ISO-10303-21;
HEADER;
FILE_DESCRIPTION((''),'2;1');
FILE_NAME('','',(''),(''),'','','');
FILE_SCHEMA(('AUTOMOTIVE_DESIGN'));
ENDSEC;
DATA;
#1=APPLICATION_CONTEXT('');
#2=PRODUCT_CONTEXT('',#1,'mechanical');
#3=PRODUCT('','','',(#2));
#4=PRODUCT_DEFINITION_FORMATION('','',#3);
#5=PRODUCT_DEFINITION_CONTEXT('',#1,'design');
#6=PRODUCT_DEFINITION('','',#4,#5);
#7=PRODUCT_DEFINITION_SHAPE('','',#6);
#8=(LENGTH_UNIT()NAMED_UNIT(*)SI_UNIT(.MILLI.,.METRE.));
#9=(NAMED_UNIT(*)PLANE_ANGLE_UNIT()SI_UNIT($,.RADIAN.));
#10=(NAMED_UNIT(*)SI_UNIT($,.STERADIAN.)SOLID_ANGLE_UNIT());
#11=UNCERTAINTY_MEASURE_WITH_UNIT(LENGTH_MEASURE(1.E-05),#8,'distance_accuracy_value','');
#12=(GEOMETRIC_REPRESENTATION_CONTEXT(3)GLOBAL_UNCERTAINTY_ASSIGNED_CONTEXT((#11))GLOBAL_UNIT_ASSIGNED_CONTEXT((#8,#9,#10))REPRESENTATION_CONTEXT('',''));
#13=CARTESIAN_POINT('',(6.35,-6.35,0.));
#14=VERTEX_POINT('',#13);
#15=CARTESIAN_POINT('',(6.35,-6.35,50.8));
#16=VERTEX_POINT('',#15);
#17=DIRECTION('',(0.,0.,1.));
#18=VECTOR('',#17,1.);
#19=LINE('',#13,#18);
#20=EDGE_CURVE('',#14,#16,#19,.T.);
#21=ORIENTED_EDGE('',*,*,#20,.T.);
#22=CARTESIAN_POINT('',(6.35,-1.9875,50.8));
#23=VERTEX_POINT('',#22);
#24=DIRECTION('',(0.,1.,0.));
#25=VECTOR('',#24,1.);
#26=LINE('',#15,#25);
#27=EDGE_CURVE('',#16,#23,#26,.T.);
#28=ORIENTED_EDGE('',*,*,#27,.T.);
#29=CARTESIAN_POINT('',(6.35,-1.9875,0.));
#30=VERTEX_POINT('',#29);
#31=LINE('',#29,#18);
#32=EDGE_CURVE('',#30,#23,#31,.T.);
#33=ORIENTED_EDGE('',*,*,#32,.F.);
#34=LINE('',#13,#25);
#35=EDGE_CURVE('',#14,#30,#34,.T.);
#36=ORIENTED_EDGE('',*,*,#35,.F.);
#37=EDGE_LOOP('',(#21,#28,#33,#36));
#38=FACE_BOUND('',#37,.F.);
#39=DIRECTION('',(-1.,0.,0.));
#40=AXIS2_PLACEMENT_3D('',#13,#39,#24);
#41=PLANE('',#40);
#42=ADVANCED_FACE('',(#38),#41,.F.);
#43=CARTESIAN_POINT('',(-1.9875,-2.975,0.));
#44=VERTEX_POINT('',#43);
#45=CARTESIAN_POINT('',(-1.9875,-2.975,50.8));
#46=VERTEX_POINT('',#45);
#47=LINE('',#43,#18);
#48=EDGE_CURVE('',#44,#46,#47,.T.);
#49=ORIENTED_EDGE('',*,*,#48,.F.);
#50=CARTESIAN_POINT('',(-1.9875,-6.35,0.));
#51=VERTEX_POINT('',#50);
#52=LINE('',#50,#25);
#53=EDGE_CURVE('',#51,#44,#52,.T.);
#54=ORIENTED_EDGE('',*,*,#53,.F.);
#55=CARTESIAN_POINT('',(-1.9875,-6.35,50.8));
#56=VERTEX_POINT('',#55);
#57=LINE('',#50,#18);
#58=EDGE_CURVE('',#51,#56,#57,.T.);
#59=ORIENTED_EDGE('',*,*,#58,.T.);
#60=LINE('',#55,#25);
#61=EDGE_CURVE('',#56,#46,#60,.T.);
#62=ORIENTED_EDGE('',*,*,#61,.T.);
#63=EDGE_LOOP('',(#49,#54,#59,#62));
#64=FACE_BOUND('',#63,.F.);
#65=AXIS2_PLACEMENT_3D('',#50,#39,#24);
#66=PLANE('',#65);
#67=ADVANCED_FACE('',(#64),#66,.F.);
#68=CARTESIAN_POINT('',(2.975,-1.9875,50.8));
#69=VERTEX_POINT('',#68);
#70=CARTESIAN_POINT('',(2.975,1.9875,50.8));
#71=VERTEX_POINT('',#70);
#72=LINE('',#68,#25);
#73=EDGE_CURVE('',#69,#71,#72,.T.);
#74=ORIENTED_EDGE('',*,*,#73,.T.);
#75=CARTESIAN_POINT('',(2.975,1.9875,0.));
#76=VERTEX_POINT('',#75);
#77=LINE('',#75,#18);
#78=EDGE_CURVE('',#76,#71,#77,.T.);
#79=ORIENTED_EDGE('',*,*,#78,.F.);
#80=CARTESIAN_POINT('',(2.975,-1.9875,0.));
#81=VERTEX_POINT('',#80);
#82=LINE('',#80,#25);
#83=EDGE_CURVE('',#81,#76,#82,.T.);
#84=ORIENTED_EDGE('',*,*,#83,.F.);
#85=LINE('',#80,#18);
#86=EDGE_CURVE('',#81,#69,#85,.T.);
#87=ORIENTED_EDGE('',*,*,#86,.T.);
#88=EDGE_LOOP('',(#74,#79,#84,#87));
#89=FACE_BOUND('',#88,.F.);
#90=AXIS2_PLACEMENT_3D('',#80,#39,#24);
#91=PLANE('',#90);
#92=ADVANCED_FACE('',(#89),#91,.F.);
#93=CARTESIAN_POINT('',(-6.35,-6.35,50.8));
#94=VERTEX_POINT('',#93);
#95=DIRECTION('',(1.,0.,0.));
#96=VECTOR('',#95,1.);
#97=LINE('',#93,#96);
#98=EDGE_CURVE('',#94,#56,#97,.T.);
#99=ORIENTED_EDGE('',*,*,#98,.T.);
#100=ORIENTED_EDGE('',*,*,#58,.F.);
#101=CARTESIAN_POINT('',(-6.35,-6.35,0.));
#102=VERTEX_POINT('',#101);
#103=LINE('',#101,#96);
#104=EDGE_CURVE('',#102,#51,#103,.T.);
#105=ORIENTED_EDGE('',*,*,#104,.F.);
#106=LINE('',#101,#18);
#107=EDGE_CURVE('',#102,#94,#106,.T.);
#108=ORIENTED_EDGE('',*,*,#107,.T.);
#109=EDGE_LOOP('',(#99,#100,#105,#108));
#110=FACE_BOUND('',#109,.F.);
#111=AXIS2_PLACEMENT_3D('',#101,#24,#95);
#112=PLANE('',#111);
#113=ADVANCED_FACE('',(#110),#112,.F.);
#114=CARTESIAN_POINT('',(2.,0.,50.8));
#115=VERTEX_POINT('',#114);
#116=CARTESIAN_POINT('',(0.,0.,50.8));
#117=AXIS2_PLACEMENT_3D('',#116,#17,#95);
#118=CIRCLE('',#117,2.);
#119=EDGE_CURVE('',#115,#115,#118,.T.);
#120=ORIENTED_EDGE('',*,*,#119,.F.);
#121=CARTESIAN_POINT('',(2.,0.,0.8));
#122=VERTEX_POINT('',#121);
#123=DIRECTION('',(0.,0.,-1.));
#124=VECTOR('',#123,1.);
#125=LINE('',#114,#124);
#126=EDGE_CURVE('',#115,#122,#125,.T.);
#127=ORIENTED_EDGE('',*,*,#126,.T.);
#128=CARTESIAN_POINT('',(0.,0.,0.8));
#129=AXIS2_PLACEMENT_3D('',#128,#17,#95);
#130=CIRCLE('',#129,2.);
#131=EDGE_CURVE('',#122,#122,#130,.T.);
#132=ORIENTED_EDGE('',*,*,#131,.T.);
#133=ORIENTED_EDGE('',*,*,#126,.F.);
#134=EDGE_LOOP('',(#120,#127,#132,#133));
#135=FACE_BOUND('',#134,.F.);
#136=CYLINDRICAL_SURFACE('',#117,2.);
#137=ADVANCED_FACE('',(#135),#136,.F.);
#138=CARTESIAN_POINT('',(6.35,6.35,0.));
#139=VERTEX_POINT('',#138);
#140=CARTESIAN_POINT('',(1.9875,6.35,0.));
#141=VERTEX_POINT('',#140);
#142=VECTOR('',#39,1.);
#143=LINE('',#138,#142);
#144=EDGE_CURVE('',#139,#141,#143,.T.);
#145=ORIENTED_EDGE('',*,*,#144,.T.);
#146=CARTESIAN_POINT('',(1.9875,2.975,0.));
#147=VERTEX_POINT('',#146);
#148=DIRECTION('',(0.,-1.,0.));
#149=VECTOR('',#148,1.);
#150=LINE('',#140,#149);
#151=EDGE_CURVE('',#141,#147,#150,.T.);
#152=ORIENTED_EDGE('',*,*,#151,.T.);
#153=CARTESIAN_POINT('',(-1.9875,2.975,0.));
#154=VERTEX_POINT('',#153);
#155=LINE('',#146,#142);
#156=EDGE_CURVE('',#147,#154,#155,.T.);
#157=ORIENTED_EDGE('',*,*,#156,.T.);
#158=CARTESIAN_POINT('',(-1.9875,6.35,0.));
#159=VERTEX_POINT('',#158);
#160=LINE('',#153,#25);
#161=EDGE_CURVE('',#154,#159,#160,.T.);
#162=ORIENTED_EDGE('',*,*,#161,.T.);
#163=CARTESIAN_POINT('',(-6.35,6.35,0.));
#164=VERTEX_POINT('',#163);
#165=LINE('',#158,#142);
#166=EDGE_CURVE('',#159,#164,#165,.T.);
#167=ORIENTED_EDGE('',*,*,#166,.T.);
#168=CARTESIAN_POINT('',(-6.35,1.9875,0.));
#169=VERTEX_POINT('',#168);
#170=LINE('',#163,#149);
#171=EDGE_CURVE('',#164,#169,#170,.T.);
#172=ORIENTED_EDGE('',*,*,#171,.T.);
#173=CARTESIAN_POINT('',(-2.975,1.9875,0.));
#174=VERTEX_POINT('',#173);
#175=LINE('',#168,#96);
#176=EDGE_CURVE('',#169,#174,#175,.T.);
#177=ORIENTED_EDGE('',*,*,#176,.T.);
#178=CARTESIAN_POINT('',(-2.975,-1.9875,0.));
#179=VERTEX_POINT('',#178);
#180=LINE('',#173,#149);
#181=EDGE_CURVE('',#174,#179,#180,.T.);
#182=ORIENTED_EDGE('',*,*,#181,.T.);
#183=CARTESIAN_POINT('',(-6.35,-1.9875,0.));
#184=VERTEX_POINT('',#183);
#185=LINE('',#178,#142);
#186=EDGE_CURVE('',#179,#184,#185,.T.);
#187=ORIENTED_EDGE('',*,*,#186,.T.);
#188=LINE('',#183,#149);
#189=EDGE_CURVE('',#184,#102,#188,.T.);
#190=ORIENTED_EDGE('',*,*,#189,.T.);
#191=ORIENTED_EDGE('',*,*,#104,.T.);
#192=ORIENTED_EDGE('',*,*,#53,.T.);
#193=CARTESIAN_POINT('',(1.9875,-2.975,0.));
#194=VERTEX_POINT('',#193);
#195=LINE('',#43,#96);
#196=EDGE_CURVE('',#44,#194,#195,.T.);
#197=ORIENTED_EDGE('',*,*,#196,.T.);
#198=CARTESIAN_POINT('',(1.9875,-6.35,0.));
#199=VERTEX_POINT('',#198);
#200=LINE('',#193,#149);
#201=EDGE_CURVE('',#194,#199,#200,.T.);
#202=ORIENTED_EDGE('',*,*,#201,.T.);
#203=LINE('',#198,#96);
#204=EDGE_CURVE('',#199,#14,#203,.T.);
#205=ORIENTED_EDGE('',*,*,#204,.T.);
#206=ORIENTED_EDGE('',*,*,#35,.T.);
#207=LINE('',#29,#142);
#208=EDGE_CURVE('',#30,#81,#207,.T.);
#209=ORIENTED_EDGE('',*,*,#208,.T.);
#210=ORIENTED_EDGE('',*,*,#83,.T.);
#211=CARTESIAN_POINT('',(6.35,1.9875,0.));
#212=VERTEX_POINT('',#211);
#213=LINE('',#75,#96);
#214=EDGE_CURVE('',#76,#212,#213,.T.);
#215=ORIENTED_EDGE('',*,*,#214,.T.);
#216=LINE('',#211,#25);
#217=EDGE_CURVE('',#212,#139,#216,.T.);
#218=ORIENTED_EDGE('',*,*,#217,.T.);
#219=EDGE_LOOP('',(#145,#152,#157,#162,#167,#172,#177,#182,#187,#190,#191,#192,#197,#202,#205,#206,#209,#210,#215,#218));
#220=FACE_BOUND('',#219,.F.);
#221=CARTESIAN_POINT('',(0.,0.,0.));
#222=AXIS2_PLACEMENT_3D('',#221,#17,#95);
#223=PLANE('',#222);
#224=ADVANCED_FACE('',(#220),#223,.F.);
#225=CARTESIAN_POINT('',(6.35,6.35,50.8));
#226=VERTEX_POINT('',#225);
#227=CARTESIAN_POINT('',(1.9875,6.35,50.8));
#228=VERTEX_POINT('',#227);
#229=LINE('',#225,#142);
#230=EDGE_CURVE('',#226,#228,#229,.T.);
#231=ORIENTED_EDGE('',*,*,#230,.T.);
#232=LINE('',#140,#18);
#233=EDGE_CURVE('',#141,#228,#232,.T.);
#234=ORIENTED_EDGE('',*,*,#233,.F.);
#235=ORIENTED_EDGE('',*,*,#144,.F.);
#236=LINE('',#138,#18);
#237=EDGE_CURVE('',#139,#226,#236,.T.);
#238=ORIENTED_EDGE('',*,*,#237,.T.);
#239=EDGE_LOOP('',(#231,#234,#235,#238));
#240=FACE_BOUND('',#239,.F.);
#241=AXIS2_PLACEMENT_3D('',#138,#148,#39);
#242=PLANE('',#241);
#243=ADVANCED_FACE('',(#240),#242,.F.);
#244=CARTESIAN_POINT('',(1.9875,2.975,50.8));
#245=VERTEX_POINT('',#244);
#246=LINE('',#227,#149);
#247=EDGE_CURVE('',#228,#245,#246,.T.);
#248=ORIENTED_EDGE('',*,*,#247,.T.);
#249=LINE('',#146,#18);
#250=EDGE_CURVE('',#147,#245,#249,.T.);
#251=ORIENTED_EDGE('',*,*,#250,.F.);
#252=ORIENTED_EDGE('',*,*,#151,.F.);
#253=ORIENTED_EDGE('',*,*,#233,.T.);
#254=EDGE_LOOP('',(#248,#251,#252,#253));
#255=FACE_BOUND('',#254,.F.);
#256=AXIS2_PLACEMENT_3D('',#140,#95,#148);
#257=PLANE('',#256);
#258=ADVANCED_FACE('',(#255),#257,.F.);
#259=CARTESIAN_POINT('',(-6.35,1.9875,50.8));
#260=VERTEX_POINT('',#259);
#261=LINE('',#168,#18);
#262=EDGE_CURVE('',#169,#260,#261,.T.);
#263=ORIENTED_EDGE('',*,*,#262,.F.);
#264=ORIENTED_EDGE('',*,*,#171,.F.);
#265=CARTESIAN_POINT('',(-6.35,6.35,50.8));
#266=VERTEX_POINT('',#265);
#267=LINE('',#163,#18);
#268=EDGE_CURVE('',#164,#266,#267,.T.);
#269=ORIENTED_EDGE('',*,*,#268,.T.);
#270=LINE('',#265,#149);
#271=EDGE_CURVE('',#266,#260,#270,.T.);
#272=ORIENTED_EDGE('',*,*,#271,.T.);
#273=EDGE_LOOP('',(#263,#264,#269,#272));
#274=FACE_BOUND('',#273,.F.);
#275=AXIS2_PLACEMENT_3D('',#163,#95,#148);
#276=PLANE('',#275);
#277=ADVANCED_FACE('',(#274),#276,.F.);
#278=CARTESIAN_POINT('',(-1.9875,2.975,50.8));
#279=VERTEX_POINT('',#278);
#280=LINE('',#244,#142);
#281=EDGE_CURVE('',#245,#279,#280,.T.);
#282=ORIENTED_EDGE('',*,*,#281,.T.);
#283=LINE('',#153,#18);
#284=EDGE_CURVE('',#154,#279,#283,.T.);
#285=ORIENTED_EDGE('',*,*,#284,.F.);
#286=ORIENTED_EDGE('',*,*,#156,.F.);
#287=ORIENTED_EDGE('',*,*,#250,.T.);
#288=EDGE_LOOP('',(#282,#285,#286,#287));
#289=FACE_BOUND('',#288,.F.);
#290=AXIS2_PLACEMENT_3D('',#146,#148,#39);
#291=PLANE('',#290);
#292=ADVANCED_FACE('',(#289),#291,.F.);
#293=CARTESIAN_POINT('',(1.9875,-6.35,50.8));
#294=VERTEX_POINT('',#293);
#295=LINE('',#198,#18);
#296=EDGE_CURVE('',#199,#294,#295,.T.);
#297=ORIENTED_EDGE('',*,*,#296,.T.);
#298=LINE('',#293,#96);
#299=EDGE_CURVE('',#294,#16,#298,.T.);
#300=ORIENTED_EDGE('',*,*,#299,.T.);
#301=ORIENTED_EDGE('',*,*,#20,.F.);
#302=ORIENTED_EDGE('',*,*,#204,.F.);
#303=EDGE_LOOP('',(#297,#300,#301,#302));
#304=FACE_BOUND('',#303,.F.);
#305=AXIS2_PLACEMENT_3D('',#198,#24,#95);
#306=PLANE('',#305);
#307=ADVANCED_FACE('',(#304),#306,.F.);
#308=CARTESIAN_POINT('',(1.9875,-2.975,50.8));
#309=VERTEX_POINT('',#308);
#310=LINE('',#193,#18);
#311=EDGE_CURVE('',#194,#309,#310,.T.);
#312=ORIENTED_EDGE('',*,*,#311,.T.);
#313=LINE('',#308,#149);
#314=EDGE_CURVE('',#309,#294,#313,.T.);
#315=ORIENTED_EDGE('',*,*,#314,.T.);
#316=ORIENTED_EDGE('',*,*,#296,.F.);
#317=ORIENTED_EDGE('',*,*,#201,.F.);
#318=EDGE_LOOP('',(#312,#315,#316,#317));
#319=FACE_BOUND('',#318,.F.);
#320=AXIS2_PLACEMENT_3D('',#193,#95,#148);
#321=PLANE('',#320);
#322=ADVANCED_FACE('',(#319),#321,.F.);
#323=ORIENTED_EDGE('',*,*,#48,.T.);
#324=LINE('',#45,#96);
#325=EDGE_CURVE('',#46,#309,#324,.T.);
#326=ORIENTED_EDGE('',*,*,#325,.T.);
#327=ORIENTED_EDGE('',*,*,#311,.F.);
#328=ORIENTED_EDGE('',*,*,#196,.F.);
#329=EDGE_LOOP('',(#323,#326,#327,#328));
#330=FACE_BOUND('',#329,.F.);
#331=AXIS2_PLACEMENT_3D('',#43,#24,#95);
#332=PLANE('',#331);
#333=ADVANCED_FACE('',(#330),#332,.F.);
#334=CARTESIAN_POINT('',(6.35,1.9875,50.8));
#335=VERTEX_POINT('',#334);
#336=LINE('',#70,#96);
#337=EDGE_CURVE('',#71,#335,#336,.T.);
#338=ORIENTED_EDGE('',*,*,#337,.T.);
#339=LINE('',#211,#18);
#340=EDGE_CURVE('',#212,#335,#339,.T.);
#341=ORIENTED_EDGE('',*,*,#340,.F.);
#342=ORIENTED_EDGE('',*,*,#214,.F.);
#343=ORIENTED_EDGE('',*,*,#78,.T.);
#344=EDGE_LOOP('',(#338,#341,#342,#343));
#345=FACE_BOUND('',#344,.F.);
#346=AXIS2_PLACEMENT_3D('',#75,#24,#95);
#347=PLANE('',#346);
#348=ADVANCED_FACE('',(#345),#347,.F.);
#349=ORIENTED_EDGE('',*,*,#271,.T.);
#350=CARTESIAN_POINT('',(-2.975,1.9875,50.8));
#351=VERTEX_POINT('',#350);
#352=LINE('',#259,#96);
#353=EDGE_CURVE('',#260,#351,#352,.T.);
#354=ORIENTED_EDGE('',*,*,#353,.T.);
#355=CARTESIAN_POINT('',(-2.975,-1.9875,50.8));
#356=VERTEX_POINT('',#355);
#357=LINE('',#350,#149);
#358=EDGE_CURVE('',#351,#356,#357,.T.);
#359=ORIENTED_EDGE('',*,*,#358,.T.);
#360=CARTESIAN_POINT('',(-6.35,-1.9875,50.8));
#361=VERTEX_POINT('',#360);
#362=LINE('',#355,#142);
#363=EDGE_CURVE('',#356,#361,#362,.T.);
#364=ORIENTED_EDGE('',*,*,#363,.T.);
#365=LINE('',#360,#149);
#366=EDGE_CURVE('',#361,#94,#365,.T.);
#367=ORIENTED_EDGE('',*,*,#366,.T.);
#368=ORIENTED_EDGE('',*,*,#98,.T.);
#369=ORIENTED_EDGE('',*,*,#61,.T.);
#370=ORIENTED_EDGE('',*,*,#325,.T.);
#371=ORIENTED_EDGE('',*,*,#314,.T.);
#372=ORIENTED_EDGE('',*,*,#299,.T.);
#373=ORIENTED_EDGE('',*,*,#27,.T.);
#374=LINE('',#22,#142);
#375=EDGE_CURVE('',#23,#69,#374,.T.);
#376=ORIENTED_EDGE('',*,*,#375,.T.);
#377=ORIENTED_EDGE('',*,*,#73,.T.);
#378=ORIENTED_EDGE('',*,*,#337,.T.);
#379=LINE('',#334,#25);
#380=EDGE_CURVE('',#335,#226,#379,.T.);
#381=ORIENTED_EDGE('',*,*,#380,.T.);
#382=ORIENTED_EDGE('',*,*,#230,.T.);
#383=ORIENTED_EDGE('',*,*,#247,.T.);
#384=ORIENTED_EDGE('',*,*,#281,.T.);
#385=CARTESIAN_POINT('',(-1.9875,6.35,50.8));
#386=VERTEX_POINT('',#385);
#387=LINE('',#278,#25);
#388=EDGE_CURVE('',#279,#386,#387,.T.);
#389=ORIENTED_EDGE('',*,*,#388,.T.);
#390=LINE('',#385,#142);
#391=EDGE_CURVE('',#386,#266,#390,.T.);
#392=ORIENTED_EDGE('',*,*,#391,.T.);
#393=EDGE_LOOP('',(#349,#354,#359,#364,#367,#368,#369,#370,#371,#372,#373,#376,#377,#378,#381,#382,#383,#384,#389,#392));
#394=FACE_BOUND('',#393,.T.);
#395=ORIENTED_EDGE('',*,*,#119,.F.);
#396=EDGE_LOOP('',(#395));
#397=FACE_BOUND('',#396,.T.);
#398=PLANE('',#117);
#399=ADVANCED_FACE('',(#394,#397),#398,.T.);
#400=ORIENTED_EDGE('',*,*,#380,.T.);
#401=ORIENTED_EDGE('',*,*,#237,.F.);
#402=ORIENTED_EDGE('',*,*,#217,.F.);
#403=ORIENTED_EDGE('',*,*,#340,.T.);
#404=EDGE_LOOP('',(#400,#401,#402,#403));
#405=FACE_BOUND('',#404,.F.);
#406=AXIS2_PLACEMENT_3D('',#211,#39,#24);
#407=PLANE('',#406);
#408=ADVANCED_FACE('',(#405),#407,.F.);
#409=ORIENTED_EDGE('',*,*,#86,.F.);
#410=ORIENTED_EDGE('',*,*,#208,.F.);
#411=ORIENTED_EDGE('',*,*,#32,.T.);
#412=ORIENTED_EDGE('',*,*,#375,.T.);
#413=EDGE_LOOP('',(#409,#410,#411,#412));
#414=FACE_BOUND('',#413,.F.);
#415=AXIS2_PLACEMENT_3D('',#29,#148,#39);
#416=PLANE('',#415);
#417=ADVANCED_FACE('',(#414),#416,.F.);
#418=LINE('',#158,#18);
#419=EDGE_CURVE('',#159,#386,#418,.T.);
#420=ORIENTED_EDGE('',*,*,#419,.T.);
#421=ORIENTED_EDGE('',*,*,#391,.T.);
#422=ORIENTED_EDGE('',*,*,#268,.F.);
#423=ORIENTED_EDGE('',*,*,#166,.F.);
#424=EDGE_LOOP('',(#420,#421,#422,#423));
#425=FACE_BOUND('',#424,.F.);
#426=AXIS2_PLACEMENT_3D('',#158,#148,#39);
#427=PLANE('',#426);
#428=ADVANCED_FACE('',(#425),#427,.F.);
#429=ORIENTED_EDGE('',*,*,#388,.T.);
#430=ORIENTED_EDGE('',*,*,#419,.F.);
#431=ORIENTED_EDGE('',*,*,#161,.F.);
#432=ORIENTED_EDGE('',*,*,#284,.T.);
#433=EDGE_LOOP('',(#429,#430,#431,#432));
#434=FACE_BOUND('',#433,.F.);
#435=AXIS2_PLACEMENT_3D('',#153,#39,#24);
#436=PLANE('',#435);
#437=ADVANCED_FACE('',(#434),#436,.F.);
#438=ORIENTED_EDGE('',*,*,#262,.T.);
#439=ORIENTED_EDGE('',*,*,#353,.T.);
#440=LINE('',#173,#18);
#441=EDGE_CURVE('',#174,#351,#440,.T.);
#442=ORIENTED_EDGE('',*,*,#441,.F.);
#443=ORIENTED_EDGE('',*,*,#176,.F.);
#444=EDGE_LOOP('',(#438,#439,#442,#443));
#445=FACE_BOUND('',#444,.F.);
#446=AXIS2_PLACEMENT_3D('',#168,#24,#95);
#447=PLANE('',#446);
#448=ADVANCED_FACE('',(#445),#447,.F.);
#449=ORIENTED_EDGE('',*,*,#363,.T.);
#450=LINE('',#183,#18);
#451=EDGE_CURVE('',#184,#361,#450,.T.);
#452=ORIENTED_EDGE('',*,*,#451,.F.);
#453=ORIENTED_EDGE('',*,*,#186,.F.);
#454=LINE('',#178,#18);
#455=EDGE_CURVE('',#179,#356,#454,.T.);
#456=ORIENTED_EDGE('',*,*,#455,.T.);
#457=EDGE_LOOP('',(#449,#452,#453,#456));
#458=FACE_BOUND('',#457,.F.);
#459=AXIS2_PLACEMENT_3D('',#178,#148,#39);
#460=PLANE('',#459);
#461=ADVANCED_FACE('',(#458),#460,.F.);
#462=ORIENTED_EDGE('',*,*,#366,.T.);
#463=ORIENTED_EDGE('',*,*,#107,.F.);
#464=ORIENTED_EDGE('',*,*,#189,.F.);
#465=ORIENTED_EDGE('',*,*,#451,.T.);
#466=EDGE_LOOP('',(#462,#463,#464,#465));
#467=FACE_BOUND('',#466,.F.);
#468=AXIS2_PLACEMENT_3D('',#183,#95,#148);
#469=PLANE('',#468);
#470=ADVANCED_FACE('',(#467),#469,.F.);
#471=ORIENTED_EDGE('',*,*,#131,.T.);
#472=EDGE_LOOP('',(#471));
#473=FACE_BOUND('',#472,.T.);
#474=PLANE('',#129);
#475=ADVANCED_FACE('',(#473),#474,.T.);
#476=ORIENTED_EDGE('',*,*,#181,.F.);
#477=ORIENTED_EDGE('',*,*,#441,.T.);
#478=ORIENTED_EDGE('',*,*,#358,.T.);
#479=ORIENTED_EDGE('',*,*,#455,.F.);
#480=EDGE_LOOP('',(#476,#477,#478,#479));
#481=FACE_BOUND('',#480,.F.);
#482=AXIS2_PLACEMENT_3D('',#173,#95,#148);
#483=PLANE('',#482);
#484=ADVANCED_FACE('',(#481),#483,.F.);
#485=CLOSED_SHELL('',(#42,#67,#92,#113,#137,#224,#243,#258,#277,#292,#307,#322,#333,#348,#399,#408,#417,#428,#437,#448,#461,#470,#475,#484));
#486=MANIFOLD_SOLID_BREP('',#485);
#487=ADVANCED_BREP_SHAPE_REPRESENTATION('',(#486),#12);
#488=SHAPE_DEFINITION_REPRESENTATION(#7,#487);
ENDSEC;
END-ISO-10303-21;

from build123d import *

# Parameters (mm, degrees)
F1_DEPTH = 50.8
F2_R     = 2
F3_DEPTH = 50


with BuildPart() as f1:
    # F0 (on Top) → F1 (new body)
    with BuildSketch(Plane.XY):
        Polygon((-1.9875, 6.35), (-6.35, 6.35), (-6.35, 1.9875), (-2.975, 1.9875), (-2.975, -1.9875), (-6.35, -1.9875), (-6.35, -6.35), (-1.9875, -6.35), (-1.9875, -2.975), (1.9875, -2.975), (1.9875, -6.35), (6.35, -6.35), (6.35, -1.9875), (2.975, -1.9875), (2.975, 1.9875), (6.35, 1.9875), (6.35, 6.35), (1.9875, 6.35), (1.9875, 2.975), (-1.9875, 2.975), align=None)
    extrude(amount=F1_DEPTH)

    # F2 (on face) → F3 (cut)
    with BuildSketch(Plane.XY.offset(50.8)):
        Circle(F2_R)
    extrude(amount=-F3_DEPTH, mode=Mode.SUBTRACT)


solid = f1.part
